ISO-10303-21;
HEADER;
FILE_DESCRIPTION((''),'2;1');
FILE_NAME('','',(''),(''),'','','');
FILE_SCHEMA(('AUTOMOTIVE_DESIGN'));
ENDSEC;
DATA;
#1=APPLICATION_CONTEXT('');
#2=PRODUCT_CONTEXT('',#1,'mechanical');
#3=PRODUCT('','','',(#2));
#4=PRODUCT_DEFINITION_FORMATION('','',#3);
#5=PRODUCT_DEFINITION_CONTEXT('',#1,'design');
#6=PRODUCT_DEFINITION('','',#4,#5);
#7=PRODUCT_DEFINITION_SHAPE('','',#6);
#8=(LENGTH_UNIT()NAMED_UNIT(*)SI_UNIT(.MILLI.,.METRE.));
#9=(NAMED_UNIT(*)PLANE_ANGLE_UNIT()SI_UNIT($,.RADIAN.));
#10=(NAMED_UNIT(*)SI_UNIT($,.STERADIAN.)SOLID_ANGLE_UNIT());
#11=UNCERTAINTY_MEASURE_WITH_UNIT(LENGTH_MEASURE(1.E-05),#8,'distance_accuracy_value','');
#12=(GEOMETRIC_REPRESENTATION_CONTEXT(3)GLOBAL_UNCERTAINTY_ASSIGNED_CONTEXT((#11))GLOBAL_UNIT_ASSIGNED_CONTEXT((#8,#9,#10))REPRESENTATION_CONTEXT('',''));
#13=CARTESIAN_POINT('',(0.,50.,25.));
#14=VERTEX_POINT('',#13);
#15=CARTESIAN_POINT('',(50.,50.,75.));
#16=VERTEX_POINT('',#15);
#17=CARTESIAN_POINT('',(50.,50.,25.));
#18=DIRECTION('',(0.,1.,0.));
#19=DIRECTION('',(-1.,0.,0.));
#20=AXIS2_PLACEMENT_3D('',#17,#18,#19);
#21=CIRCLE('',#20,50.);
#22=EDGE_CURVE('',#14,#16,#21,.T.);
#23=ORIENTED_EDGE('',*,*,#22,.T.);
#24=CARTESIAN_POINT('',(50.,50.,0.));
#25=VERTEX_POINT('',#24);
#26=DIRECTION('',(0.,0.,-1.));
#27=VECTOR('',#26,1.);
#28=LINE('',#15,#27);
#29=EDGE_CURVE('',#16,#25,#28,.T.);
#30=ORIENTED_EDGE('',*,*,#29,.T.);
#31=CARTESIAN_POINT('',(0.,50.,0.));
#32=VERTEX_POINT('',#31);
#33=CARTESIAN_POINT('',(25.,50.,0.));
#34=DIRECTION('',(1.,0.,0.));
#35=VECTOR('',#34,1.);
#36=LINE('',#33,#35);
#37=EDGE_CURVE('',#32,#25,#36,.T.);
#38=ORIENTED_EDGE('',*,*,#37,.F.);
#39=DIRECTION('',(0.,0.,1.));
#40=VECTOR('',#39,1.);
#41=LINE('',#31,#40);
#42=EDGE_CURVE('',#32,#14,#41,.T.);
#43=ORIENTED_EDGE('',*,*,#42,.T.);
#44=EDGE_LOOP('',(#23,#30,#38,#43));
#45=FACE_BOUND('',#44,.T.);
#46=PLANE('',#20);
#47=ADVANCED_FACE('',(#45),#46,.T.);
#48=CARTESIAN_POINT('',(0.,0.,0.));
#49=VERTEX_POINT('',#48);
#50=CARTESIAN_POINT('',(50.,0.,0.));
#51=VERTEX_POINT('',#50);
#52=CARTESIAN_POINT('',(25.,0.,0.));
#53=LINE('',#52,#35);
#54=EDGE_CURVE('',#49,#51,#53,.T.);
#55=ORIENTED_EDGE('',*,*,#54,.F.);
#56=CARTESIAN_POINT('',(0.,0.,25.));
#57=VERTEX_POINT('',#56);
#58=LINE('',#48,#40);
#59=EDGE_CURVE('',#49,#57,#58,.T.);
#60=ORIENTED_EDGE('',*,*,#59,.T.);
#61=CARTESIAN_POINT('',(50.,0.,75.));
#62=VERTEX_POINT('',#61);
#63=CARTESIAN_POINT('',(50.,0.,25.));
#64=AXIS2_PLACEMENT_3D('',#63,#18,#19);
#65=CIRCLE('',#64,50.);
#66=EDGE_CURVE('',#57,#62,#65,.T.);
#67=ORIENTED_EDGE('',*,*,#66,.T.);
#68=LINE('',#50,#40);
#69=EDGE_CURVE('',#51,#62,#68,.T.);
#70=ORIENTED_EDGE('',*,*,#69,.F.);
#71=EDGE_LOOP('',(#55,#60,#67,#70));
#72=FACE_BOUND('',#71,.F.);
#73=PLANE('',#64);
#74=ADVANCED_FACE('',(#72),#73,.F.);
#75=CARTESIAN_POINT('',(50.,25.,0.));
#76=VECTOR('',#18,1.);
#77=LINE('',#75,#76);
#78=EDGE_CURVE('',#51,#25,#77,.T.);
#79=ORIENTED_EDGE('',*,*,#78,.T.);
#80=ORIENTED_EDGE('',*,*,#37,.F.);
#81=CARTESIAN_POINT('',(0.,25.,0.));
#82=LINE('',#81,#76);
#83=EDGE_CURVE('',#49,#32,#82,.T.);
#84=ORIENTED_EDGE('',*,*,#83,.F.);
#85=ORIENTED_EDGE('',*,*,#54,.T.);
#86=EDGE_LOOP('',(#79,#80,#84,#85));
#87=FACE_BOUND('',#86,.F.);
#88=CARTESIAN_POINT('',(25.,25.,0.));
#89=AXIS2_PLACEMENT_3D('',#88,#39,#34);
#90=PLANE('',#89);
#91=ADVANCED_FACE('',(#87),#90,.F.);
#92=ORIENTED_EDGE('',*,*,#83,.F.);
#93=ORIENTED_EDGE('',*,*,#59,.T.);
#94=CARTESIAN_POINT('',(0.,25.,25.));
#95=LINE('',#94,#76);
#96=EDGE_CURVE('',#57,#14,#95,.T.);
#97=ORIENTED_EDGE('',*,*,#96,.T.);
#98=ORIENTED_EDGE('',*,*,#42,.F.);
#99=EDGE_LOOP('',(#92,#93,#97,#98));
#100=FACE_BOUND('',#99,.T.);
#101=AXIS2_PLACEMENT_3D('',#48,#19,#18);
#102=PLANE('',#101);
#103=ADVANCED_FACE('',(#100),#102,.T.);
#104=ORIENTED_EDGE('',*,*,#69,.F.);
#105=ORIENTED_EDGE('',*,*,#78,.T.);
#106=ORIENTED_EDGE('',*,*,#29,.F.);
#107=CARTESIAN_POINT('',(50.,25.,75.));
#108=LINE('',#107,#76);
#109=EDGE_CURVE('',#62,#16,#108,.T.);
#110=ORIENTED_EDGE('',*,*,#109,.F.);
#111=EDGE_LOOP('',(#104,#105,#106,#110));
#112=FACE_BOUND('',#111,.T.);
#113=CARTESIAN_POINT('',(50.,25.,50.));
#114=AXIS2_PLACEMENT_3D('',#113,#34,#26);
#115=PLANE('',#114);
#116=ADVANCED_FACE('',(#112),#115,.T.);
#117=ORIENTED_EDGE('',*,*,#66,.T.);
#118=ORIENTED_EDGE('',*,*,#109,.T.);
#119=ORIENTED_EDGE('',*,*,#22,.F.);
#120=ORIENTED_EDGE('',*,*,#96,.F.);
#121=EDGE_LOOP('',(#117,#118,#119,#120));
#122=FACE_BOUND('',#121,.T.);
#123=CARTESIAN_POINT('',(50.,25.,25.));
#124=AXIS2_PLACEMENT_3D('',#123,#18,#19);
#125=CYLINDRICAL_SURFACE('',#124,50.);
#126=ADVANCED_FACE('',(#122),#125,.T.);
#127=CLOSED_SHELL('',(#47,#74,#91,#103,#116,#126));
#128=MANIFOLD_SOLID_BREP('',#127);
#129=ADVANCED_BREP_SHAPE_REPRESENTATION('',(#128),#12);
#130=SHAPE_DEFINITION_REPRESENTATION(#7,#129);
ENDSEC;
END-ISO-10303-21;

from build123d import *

# Parameters (mm, degrees)
F0_W      = 50
F0_H      = 50
F1_DEPTH  = 25
F1_FACE_W = 50
F1_FACE_H = 50
F2_ANGLE  = 90


with BuildPart() as f1:
    # F0 (on Top) → F1 (new body)
    with BuildSketch(Plane.XY):
        with Locations((25, 25)):
            Rectangle(F0_W, F0_H)
    extrude(amount=F1_DEPTH)

    # F1_face (on face) → F2 (revolve)
    with BuildSketch(Plane(origin=(25, 25, 25), x_dir=(1, 0, 0), z_dir=(0, 0, 1))):
        Rectangle(F1_FACE_W, F1_FACE_H)
    revolve(axis=Axis((50, 25, 25), (0, 1, 0)), revolution_arc=F2_ANGLE)


solid = f1.part
